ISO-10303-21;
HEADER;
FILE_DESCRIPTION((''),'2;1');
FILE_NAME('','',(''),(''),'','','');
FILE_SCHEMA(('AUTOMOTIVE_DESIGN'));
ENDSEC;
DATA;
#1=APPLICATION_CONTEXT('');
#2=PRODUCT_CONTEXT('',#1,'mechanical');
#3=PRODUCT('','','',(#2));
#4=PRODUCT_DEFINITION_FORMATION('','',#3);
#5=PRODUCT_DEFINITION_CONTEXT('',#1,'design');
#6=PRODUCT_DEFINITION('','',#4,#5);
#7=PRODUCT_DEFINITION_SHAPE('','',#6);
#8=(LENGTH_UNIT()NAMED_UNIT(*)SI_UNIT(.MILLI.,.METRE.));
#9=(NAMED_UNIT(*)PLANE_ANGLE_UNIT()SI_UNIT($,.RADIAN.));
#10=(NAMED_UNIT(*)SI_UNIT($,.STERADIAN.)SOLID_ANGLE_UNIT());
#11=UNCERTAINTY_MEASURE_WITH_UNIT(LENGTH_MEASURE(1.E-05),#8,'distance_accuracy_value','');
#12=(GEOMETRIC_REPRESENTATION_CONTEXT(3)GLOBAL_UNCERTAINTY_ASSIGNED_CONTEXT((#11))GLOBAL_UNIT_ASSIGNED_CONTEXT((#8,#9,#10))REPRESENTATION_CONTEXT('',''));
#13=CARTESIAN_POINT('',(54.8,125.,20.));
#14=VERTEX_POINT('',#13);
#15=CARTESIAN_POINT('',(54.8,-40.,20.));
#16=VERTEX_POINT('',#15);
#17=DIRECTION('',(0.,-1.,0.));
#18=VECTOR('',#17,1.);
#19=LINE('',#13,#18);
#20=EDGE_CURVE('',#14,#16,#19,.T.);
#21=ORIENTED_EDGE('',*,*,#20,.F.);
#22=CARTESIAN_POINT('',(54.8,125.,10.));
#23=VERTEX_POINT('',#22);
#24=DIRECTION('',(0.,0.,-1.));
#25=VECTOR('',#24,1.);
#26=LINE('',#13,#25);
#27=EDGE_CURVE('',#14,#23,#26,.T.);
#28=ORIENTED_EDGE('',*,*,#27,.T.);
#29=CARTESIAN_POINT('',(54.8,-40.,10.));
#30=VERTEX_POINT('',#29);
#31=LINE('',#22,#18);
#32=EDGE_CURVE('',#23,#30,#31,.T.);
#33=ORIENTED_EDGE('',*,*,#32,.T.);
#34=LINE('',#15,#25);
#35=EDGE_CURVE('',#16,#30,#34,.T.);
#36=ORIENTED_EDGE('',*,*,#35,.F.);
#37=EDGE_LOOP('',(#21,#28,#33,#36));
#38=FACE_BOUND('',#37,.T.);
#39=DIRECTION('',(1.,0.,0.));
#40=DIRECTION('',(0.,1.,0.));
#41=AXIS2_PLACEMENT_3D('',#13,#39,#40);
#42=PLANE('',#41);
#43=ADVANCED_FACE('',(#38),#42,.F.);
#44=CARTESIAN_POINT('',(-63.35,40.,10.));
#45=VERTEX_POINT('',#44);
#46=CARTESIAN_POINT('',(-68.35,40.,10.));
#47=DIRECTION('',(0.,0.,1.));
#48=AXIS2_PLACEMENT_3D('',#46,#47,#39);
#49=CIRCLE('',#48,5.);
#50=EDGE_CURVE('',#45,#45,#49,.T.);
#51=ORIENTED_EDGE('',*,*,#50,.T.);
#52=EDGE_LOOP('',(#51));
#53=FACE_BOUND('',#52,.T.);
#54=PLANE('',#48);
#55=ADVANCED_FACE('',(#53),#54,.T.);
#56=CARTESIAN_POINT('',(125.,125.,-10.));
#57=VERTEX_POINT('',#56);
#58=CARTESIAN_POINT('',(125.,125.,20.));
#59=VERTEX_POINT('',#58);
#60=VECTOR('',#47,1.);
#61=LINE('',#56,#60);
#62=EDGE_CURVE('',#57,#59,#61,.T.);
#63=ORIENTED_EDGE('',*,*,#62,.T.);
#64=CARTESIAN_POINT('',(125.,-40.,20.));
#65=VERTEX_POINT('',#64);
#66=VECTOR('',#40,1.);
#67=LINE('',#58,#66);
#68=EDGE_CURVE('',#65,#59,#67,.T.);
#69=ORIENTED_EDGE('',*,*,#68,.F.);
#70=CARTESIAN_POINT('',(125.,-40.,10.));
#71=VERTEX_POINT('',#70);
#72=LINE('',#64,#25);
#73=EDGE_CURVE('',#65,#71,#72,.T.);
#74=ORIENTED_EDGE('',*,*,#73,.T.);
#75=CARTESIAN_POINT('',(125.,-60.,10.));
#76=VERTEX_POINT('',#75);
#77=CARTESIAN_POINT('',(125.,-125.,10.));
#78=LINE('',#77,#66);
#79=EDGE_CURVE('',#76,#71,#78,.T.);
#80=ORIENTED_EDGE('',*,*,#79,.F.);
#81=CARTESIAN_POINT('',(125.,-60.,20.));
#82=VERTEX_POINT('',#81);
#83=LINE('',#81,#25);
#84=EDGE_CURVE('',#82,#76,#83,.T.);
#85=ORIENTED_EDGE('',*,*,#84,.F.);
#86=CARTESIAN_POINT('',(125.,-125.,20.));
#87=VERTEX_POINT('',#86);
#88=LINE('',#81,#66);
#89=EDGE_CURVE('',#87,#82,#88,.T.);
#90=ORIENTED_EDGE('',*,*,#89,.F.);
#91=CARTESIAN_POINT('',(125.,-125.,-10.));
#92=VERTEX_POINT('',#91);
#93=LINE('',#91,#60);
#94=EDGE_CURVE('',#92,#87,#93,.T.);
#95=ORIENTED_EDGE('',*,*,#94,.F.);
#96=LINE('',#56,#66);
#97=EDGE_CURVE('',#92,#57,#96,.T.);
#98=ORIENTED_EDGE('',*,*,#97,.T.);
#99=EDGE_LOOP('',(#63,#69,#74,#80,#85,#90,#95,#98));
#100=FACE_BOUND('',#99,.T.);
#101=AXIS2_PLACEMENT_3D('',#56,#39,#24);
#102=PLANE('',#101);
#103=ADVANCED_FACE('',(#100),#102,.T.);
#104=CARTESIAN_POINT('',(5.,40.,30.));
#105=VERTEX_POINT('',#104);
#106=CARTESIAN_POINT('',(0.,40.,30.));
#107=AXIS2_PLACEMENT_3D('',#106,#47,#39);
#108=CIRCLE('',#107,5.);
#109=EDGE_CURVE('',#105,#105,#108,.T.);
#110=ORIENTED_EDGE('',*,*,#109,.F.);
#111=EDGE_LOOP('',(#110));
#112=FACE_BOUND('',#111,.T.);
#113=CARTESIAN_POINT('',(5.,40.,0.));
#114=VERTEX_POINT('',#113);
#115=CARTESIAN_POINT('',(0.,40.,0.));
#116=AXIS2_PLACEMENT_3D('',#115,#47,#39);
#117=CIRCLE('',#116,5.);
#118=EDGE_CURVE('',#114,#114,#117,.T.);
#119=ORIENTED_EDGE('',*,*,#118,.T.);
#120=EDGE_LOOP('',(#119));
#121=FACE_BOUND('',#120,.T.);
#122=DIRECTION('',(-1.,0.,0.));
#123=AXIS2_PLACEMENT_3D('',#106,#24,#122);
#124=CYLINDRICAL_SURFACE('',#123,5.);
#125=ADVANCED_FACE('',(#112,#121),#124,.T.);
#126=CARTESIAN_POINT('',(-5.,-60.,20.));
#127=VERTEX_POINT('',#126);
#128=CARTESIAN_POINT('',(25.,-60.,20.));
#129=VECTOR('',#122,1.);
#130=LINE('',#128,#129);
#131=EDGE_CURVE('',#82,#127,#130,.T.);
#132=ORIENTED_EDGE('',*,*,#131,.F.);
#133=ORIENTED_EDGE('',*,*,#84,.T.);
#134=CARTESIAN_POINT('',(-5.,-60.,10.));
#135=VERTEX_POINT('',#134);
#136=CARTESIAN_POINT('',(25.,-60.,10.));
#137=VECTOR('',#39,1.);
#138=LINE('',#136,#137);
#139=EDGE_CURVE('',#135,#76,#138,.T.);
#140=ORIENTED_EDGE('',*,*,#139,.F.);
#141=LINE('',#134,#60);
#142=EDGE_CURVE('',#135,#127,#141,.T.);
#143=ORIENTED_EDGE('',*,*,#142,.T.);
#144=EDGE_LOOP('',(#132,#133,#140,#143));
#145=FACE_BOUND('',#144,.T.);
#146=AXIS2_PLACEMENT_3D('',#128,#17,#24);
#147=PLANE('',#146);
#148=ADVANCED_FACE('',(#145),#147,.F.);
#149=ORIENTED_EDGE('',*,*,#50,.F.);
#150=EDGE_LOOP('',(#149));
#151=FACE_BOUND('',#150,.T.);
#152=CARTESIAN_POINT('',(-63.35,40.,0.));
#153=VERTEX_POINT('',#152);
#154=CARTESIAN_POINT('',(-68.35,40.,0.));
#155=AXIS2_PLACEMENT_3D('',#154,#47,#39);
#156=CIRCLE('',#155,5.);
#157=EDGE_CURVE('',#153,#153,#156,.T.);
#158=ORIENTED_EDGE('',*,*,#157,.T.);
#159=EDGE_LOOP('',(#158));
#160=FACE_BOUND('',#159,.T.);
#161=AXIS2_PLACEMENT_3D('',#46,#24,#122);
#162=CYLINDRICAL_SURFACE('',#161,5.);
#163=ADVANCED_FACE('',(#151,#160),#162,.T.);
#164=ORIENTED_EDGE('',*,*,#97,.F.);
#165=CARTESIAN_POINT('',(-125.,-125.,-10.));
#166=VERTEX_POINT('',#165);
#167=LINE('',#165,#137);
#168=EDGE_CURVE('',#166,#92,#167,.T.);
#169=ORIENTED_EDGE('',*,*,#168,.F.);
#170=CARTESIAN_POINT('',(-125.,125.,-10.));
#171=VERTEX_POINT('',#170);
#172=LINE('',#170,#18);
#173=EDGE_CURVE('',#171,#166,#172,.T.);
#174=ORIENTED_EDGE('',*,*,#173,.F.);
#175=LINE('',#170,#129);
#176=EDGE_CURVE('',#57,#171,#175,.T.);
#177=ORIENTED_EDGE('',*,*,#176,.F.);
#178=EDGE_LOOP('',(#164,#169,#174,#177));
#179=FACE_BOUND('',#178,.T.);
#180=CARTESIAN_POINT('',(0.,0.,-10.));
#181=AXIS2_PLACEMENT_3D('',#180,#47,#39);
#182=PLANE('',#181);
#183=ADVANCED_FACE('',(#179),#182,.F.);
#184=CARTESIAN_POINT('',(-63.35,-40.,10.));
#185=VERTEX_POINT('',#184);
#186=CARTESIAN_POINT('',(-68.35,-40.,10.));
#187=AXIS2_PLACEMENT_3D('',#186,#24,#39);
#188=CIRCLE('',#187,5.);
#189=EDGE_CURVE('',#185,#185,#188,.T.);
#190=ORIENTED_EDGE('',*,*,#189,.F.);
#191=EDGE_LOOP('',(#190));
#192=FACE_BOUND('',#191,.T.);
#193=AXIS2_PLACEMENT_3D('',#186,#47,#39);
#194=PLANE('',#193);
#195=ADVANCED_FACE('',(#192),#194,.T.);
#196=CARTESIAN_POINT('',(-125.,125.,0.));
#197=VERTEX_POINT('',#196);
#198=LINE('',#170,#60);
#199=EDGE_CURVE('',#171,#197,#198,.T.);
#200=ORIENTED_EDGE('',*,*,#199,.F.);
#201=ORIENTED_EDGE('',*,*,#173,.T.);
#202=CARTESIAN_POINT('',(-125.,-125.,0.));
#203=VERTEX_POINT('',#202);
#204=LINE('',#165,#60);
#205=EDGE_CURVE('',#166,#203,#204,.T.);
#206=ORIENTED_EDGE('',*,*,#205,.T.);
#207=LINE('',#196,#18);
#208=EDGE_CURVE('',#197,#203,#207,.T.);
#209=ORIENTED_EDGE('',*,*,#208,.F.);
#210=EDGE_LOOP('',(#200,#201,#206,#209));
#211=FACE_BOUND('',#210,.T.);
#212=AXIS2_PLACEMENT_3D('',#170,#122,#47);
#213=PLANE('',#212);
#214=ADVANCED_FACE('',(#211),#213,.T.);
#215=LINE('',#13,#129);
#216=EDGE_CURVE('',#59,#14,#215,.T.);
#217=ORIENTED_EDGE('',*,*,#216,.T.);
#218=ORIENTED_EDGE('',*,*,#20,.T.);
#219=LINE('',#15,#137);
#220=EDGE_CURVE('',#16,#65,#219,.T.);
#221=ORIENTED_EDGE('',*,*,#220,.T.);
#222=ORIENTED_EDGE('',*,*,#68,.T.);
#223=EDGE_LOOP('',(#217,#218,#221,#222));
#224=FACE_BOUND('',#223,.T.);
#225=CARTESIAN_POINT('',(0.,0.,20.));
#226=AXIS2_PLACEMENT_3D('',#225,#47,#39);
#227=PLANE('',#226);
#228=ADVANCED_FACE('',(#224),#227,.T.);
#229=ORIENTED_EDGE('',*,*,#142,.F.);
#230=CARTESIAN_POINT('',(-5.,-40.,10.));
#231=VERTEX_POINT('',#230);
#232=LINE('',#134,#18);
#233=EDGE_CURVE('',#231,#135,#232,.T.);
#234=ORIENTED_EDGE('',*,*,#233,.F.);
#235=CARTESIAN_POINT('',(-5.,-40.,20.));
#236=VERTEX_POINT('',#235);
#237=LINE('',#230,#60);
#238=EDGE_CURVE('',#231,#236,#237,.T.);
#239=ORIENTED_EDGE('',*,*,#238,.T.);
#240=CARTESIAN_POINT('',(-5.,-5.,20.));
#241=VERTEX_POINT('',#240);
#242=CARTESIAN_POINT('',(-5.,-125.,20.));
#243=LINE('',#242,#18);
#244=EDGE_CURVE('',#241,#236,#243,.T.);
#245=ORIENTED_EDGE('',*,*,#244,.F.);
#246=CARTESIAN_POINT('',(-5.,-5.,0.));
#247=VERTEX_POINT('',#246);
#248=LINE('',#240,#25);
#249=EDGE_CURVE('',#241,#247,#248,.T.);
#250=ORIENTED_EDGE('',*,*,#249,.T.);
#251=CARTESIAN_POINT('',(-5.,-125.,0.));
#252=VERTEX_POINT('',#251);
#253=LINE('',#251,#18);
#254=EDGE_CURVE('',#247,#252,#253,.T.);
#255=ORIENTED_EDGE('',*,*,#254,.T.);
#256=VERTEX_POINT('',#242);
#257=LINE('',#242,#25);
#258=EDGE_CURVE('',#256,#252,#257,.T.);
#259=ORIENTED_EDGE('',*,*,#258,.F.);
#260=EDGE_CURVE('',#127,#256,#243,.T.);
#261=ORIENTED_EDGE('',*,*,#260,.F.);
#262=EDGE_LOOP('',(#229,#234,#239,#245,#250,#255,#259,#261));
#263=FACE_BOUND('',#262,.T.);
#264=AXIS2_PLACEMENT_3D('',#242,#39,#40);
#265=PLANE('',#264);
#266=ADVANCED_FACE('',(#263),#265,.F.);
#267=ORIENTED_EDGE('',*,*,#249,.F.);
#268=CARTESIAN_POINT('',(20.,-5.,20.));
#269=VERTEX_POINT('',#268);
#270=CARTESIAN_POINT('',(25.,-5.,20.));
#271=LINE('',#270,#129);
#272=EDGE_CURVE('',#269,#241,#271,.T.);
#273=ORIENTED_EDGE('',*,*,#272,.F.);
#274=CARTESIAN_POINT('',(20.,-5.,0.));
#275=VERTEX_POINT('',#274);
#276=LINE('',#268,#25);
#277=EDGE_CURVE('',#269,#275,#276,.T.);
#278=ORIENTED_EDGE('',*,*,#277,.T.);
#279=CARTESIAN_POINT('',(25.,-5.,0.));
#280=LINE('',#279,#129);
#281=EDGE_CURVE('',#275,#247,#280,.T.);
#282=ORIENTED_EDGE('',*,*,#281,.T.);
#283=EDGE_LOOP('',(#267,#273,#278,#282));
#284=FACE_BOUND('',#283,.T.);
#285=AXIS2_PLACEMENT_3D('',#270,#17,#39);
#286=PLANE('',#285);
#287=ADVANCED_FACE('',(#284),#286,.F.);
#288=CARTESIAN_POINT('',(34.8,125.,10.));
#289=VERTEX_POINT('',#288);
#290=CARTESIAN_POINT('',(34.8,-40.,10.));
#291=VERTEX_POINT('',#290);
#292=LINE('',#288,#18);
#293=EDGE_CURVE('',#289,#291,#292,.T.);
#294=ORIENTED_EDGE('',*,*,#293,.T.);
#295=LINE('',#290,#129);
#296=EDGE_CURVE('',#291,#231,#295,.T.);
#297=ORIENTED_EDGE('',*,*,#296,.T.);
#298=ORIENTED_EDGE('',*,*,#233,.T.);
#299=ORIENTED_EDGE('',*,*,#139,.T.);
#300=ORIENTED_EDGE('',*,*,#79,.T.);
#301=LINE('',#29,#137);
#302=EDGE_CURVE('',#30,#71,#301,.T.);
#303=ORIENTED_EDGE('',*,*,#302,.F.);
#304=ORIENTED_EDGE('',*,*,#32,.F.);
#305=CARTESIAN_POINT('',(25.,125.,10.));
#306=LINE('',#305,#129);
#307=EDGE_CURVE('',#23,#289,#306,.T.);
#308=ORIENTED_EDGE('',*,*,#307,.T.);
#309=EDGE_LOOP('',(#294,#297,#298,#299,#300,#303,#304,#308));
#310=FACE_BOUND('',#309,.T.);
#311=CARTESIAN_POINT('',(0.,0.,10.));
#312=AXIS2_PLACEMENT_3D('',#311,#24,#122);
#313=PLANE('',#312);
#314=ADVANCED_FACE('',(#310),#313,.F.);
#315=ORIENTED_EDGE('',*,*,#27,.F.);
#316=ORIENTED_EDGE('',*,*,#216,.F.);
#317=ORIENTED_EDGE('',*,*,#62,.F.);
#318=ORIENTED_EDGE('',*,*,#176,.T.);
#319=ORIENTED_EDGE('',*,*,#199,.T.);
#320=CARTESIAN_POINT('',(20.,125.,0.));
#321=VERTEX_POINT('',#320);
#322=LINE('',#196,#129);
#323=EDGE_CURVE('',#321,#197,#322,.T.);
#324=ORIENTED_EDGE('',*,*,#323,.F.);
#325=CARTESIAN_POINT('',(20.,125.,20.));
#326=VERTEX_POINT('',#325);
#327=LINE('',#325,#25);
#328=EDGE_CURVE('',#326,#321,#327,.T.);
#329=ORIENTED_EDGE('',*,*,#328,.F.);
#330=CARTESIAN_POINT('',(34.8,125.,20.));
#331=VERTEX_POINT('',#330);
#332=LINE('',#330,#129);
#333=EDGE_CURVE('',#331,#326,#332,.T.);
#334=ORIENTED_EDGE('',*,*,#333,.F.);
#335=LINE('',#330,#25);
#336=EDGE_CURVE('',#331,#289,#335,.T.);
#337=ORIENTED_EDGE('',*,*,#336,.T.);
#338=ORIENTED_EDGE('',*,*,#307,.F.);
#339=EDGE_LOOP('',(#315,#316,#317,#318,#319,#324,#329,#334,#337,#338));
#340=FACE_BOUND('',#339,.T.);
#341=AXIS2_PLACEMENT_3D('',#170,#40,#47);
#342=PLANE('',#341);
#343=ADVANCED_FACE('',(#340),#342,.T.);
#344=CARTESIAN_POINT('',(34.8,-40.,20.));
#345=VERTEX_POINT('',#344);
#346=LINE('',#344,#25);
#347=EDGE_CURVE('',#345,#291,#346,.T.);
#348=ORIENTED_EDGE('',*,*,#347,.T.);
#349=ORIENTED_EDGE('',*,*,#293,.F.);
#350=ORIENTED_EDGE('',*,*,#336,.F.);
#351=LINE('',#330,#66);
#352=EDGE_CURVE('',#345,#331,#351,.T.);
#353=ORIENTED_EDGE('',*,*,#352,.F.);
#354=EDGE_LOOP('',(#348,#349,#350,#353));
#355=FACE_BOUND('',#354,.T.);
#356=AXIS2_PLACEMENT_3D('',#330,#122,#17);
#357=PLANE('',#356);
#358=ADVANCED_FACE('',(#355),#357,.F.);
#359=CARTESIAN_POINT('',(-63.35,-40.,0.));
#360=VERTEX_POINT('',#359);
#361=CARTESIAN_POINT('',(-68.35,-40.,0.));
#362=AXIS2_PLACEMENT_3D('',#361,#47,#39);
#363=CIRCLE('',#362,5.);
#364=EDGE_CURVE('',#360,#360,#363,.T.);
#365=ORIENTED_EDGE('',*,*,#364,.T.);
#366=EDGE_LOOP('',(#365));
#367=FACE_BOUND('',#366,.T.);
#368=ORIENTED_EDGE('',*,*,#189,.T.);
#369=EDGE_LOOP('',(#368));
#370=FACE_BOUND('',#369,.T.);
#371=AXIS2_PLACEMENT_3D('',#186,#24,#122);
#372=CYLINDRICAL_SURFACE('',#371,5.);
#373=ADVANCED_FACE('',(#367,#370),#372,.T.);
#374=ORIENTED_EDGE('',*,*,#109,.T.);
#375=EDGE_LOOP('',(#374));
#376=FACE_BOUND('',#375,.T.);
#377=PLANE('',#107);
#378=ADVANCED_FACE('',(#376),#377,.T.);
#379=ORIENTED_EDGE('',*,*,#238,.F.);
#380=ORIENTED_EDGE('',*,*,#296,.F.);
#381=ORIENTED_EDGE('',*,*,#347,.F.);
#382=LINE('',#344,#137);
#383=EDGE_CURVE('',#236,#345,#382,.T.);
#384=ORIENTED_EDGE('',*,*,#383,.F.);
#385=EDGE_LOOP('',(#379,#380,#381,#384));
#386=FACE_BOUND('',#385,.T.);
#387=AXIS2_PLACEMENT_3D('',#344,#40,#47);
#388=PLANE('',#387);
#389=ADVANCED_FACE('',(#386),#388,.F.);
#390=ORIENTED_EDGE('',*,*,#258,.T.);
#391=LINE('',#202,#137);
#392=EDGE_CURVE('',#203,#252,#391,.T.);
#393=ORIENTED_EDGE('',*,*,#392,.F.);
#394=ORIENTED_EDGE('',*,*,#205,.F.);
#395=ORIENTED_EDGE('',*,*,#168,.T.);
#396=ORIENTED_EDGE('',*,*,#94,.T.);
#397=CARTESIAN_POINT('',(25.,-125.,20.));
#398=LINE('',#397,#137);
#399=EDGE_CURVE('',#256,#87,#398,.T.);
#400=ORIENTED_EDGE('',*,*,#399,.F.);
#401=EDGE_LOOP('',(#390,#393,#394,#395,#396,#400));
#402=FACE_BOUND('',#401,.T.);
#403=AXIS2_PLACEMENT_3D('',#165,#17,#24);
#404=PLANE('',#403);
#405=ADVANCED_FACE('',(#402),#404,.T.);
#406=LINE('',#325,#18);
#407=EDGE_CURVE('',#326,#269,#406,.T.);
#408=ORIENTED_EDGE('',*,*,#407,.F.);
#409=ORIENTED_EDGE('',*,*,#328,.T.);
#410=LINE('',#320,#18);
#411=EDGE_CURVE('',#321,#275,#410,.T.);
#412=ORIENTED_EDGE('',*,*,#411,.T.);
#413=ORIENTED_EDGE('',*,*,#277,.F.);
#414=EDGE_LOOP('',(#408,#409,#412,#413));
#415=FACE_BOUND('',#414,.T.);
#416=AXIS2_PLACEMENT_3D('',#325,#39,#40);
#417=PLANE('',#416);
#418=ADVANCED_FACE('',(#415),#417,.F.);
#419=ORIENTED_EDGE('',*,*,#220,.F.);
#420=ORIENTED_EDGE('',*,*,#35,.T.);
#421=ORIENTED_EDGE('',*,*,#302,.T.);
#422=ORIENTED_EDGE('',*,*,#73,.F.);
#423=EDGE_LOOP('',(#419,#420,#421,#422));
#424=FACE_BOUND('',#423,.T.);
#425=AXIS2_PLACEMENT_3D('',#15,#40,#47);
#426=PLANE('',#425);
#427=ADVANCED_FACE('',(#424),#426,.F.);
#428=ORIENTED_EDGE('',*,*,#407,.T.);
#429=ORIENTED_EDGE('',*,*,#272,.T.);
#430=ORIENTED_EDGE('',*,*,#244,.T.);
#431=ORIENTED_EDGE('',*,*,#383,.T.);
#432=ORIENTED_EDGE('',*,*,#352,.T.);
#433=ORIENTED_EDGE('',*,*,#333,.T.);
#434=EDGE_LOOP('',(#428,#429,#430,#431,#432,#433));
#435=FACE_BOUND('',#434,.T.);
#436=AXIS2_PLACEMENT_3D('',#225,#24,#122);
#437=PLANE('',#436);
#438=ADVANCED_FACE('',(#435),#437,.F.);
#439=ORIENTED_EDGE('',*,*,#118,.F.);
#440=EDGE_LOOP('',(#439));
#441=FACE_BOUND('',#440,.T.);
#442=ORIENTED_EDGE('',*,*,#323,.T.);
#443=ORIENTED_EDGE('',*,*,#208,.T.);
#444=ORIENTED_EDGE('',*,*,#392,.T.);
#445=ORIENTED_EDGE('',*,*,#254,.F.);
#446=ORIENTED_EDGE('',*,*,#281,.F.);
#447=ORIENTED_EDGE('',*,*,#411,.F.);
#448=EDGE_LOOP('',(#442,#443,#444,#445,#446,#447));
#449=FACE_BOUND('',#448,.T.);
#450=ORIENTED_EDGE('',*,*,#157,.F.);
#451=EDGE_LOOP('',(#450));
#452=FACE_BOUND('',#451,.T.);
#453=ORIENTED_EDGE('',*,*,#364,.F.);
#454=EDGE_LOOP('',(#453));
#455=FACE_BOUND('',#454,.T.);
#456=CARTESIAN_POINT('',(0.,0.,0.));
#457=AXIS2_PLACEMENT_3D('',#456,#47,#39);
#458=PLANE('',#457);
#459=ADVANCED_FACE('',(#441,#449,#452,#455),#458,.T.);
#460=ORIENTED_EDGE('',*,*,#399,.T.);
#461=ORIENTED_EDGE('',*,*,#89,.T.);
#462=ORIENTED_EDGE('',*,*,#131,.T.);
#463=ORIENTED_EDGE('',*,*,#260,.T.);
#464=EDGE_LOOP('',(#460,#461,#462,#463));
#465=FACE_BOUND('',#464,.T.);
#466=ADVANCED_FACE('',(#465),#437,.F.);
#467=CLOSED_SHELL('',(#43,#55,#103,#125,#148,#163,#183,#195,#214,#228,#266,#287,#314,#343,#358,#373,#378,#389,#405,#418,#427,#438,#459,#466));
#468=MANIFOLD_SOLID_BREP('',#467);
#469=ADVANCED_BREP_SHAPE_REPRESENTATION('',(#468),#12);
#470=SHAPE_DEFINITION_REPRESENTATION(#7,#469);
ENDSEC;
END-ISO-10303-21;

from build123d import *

# Parameters (mm, degrees)
SKETCH_1_W          = 250
SKETCH_1_H          = 250
EXTRUDE_1_DEPTH     = 10
SKETCH_2_R          = 5
EXTRUDE_2_DEPTH     = 10
SKETCH_3_R          = 5
EXTRUDE_3_DEPTH     = 30
SKETCH_4_W          = 14.8
SKETCH_4_H          = 165
EXTRUDE_4_DEPTH     = 20
SKETCH_5_W          = 100
SKETCH_5_H          = 65
EXTRUDE_5_DEPTH     = 20
SKETCH_6_W          = 100
SKETCH_6_H          = 250
EXTRUDE_6_DEPTH     = 10
SKETCH_7_W          = 70.2
SKETCH_7_H          = 165
EXTRUDE_7_DEPTH     = 10
SKETCH_8_W          = 30
SKETCH_8_H          = 120
EXTRUDE_8_DEPTH     = 20
SKETCH_9_W          = 30
SKETCH_9_H          = 20
CUT_EXTRUDE_1_DEPTH = 10


with BuildPart() as part:
    # 草图1 → 凸台-拉伸1 (new body)
    with BuildSketch(Plane.XY):
        Rectangle(SKETCH_1_W, SKETCH_1_H)
    extrude(amount=-EXTRUDE_1_DEPTH)

    # 草图2 → 凸台-拉伸2 (add)
    with BuildSketch(Plane.XY):
        with Locations((-68.35, 40)):
            Circle(SKETCH_2_R)
    extrude_2 = extrude(amount=EXTRUDE_2_DEPTH)

    # 镜向1: 凸台-拉伸2 across plane
    add(extrude_2.mirror(Plane.ZX))

    # 草图3 → 凸台-拉伸3 (add)
    with BuildSketch(Plane.XY):
        with Locations((0, 40)):
            Circle(SKETCH_3_R)
    extrude(amount=EXTRUDE_3_DEPTH)

    # 草图4 → 凸台-拉伸4 (add)
    with BuildSketch(Plane.XY):
        with Locations((27.4, 42.5)):
            Rectangle(SKETCH_4_W, SKETCH_4_H)
    extrude(amount=EXTRUDE_4_DEPTH)

    # 草图5 → 凸台-拉伸5 (add)
    with BuildSketch(Plane.XY):
        with Locations((75, -92.5)):
            Rectangle(SKETCH_5_W, SKETCH_5_H)
    extrude(amount=EXTRUDE_5_DEPTH)

    # 草图6 → 凸台-拉伸6 (add)
    with BuildSketch(Plane.XY):
        with Locations((75, 0)):
            Rectangle(SKETCH_6_W, SKETCH_6_H)
    extrude(amount=EXTRUDE_6_DEPTH)

    # 草图7 → 凸台-拉伸7 (add)
    with BuildSketch(Plane.XY.offset(10)):
        with Locations((89.9, 42.5)):
            Rectangle(SKETCH_7_W, SKETCH_7_H)
    extrude(amount=EXTRUDE_7_DEPTH)

    # 草图8 → 凸台-拉伸8 (add)
    with BuildSketch(Plane.XY):
        with Locations((10, -65)):
            Rectangle(SKETCH_8_W, SKETCH_8_H)
    extrude(amount=EXTRUDE_8_DEPTH)

    # 草图9 → 切除-拉伸1 (cut)
    with BuildSketch(Plane.XY.offset(20)):
        with Locations((10, -50)):
            Rectangle(SKETCH_9_W, SKETCH_9_H)
    extrude(amount=-CUT_EXTRUDE_1_DEPTH, mode=Mode.SUBTRACT)


solid = part.part
